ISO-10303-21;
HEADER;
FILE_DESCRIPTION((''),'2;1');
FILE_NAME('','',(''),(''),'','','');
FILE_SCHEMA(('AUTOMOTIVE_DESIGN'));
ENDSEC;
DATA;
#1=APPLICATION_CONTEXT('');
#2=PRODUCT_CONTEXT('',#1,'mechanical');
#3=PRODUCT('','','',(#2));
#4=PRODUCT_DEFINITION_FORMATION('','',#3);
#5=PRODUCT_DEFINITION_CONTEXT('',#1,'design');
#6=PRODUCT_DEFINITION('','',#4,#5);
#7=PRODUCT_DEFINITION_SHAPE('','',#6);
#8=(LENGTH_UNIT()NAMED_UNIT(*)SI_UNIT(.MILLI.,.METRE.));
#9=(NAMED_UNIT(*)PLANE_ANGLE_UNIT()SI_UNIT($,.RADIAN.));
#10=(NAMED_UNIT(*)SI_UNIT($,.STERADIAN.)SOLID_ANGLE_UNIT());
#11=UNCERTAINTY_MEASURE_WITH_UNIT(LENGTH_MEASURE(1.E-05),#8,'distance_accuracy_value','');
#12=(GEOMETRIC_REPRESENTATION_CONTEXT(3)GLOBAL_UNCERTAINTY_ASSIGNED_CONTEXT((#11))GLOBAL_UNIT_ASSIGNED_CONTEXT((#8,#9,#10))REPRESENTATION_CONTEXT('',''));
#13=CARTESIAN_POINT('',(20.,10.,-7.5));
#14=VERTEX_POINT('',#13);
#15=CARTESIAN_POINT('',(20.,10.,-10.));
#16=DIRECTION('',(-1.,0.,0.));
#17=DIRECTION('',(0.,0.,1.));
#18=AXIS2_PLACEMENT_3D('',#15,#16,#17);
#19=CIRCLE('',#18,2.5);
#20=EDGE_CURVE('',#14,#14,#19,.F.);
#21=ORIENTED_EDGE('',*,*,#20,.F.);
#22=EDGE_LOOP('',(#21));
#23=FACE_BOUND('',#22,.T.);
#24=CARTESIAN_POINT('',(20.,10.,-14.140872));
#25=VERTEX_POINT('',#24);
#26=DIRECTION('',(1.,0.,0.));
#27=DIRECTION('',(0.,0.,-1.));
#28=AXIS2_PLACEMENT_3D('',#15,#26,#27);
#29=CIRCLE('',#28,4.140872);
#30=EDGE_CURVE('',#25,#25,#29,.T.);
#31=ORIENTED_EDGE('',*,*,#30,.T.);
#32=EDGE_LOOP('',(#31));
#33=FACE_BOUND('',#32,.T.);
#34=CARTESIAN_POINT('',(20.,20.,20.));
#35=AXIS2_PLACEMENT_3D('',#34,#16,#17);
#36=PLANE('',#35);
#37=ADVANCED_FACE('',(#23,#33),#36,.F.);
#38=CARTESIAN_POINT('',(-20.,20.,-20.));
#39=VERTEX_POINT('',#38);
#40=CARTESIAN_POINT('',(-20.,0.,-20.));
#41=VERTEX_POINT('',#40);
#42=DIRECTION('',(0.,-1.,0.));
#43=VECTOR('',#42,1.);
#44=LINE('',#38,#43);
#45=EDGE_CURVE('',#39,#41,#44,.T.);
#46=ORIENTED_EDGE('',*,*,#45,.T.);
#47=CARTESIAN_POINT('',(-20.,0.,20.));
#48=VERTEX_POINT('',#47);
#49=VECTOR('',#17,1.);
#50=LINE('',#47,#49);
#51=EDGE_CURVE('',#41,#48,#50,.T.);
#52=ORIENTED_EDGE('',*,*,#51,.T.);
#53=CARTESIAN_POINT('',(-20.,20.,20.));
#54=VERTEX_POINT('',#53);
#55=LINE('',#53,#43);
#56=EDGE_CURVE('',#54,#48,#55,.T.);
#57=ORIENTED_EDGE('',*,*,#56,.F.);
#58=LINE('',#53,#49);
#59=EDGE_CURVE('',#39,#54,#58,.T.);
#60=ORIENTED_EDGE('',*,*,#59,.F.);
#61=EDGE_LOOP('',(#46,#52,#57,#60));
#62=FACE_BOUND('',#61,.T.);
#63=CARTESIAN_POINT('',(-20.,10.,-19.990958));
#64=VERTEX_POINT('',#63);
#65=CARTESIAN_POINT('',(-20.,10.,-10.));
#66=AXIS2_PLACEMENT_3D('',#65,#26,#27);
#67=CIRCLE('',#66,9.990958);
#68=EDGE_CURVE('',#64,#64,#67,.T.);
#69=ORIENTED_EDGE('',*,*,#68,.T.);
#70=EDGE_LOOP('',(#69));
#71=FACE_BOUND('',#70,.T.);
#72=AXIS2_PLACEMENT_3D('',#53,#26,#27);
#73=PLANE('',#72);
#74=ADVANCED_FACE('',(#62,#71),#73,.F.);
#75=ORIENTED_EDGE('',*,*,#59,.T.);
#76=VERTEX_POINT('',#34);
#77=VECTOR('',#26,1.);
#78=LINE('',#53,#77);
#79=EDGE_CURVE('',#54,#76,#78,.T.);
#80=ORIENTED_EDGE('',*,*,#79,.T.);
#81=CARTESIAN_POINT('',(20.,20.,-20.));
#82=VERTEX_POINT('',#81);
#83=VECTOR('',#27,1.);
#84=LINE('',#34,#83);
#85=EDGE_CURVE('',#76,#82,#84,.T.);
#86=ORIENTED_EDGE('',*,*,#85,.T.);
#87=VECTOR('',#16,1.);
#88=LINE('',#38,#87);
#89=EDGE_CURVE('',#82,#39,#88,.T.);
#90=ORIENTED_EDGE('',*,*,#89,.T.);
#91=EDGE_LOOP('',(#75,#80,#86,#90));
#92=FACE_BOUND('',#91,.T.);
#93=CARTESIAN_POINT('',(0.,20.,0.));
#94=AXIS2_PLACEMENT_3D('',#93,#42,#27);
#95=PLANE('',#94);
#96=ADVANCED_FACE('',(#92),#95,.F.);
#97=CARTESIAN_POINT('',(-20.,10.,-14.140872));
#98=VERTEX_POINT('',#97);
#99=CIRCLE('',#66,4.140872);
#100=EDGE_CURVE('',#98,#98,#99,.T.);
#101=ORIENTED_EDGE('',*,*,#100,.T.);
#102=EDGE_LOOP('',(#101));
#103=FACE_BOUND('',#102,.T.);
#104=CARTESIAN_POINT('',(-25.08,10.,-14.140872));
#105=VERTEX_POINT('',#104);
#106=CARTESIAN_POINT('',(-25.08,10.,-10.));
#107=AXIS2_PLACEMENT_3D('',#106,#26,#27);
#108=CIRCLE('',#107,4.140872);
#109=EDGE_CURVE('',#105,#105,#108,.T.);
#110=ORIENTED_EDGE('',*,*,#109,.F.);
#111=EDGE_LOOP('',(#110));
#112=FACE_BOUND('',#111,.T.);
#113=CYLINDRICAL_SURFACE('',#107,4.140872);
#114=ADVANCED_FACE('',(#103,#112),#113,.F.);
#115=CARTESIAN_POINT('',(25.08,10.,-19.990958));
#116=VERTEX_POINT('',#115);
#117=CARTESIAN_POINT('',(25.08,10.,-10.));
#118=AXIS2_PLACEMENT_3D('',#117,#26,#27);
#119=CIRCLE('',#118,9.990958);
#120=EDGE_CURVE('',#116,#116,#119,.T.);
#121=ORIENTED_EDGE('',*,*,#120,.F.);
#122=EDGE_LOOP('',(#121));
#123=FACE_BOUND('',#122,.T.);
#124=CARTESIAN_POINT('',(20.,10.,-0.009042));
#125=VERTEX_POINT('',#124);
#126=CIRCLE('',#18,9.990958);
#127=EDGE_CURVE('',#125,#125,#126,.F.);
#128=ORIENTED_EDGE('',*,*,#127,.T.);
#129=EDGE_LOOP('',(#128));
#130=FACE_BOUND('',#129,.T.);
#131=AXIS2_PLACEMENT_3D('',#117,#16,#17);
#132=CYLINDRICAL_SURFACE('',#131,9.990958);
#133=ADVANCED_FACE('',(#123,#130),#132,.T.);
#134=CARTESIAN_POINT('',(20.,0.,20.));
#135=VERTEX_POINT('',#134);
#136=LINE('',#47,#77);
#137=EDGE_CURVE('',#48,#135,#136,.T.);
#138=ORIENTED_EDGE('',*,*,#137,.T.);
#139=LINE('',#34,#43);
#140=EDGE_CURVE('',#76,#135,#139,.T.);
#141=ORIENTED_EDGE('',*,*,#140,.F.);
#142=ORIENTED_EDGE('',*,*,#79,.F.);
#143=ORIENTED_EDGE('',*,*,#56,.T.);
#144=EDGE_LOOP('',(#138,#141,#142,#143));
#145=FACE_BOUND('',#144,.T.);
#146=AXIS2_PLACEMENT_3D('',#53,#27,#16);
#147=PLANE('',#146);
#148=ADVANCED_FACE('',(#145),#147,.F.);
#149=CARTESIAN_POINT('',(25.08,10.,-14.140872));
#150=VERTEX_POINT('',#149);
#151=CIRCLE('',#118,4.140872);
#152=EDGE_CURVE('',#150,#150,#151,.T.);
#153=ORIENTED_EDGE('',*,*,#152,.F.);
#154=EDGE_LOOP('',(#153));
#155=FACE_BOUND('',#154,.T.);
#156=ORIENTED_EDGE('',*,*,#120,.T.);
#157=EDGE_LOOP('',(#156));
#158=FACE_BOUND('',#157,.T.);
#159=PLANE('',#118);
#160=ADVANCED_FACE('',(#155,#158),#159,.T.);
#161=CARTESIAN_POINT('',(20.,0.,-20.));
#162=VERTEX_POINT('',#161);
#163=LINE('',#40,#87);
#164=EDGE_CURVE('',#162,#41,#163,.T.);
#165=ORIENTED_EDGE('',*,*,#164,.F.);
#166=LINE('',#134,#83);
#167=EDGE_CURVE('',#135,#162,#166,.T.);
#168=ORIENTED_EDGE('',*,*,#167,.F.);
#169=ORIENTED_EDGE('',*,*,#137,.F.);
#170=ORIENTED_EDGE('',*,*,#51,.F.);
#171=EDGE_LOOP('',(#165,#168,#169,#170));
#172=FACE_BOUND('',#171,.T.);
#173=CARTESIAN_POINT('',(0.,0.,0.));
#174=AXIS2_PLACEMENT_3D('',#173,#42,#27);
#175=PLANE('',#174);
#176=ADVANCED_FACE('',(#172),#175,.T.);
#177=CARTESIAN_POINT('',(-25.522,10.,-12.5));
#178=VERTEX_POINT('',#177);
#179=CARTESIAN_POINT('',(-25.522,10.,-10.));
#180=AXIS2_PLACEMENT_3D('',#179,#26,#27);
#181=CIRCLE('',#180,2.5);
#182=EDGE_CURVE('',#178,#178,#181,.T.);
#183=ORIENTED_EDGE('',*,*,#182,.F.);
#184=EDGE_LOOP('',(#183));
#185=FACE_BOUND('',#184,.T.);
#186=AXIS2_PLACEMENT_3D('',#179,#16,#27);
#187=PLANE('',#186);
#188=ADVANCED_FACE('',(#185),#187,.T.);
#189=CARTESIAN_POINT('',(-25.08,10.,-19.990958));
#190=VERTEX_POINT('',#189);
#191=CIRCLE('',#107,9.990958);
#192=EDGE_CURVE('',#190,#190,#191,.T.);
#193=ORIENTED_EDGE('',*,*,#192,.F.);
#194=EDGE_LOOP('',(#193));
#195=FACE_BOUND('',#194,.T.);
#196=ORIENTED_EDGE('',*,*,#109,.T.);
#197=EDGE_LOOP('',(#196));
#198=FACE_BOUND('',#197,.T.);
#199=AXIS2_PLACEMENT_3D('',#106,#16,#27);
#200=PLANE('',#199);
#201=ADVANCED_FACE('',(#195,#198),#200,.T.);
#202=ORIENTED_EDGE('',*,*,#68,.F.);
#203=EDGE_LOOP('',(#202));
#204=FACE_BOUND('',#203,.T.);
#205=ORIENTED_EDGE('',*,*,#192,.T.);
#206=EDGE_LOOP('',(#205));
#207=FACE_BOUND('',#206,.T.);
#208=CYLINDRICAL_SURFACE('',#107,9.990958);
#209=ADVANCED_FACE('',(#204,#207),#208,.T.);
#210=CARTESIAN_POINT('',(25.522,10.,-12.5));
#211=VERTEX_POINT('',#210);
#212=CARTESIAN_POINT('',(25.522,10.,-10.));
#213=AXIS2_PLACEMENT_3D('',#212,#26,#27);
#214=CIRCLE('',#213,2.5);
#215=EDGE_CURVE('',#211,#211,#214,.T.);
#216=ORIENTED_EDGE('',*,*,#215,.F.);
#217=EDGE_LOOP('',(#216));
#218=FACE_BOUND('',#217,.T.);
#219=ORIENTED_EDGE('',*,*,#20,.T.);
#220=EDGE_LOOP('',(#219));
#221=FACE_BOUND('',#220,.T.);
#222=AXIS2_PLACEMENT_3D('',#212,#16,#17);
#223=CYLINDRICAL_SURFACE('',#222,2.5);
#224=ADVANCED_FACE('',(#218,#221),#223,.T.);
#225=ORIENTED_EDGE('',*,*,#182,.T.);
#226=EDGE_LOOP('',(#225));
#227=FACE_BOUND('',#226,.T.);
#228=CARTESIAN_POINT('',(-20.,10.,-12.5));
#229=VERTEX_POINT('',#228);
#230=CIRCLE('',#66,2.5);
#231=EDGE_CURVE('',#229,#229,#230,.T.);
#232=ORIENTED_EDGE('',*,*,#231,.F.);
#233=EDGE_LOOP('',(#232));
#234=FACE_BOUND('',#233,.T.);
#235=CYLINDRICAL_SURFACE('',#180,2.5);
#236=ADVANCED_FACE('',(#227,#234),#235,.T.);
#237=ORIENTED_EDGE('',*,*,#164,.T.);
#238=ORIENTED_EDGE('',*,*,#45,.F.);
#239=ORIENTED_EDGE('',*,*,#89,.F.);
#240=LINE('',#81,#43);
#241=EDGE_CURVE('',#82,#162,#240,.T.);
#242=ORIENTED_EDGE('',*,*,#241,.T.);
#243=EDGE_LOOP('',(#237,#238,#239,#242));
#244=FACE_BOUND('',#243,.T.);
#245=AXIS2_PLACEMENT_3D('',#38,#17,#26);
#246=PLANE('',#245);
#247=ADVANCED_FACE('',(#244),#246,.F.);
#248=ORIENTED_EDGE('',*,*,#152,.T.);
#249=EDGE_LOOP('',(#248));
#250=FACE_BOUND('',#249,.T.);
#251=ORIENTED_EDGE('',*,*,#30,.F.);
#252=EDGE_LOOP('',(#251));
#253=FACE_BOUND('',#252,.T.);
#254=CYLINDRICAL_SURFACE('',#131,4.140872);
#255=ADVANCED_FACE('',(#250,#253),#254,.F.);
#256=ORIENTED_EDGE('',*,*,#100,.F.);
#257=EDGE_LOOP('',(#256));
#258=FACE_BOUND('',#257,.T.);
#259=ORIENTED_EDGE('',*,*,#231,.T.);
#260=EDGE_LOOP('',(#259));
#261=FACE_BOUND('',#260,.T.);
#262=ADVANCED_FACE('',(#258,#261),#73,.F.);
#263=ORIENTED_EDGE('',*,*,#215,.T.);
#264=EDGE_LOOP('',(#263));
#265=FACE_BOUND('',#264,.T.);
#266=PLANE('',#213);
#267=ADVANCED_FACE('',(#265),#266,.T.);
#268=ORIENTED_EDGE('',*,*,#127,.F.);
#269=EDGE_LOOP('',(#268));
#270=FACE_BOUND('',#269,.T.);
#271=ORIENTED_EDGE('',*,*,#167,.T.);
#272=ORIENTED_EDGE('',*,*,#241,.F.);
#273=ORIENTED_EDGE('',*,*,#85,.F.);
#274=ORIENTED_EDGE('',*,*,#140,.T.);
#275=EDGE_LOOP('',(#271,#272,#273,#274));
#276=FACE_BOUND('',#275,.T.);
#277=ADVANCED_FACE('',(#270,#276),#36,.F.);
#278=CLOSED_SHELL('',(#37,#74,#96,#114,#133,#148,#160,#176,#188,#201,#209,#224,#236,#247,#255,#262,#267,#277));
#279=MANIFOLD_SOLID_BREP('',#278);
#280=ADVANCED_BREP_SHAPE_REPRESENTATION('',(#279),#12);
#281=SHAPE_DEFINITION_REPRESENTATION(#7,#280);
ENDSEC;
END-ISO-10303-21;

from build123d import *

# Parameters (mm, degrees)
SKETCH1_W           = 40
SKETCH1_H           = 40
BOSS_EXTRUDE1_DEPTH = 20
SKETCH2_R           = 2.5
BOSS_EXTRUDE2_DEPTH = 5.522
SKETCH5_R           = 9.990957645
SKETCH5_R_2         = 4.140871972
BOSS_EXTRUDE5_DEPTH = 5.08


with BuildPart() as part:
    # Sketch1 → Boss-Extrude1 (new body)
    with BuildSketch(Plane(origin=(0, 0, 0), x_dir=(1, 0, 0), z_dir=(0, 1, 0))):
        Rectangle(SKETCH1_W, SKETCH1_H)
    extrude(amount=BOSS_EXTRUDE1_DEPTH)

    # Sketch2 → Boss-Extrude2 (add)
    with BuildSketch(Plane(origin=(20, 0, 0), x_dir=(0, 0, -1), z_dir=(1, 0, 0))):
        with Locations((10, 10)):
            Circle(SKETCH2_R)
    boss_extrude2 = extrude(amount=BOSS_EXTRUDE2_DEPTH)

    # Mirror1: Boss-Extrude2 across plane
    add(boss_extrude2.mirror(Plane(origin=(0, 0, 0), x_dir=(0, 0, 1), z_dir=(1, 0, 0))))

    # Sketch5 → Boss-Extrude5 (add)
    with BuildSketch(Plane(origin=(20, 0, 0), x_dir=(0, 0, -1), z_dir=(1, 0, 0))):
        with Locations((10, 10)):
            Circle(SKETCH5_R)
        with Locations((10, 10)):
            Circle(SKETCH5_R_2, mode=Mode.SUBTRACT)
    boss_extrude5 = extrude(amount=BOSS_EXTRUDE5_DEPTH)

    # Mirror2: Boss-Extrude5 across plane
    add(boss_extrude5.mirror(Plane(origin=(0, 0, 0), x_dir=(0, 0, 1), z_dir=(1, 0, 0))))


solid = part.part
